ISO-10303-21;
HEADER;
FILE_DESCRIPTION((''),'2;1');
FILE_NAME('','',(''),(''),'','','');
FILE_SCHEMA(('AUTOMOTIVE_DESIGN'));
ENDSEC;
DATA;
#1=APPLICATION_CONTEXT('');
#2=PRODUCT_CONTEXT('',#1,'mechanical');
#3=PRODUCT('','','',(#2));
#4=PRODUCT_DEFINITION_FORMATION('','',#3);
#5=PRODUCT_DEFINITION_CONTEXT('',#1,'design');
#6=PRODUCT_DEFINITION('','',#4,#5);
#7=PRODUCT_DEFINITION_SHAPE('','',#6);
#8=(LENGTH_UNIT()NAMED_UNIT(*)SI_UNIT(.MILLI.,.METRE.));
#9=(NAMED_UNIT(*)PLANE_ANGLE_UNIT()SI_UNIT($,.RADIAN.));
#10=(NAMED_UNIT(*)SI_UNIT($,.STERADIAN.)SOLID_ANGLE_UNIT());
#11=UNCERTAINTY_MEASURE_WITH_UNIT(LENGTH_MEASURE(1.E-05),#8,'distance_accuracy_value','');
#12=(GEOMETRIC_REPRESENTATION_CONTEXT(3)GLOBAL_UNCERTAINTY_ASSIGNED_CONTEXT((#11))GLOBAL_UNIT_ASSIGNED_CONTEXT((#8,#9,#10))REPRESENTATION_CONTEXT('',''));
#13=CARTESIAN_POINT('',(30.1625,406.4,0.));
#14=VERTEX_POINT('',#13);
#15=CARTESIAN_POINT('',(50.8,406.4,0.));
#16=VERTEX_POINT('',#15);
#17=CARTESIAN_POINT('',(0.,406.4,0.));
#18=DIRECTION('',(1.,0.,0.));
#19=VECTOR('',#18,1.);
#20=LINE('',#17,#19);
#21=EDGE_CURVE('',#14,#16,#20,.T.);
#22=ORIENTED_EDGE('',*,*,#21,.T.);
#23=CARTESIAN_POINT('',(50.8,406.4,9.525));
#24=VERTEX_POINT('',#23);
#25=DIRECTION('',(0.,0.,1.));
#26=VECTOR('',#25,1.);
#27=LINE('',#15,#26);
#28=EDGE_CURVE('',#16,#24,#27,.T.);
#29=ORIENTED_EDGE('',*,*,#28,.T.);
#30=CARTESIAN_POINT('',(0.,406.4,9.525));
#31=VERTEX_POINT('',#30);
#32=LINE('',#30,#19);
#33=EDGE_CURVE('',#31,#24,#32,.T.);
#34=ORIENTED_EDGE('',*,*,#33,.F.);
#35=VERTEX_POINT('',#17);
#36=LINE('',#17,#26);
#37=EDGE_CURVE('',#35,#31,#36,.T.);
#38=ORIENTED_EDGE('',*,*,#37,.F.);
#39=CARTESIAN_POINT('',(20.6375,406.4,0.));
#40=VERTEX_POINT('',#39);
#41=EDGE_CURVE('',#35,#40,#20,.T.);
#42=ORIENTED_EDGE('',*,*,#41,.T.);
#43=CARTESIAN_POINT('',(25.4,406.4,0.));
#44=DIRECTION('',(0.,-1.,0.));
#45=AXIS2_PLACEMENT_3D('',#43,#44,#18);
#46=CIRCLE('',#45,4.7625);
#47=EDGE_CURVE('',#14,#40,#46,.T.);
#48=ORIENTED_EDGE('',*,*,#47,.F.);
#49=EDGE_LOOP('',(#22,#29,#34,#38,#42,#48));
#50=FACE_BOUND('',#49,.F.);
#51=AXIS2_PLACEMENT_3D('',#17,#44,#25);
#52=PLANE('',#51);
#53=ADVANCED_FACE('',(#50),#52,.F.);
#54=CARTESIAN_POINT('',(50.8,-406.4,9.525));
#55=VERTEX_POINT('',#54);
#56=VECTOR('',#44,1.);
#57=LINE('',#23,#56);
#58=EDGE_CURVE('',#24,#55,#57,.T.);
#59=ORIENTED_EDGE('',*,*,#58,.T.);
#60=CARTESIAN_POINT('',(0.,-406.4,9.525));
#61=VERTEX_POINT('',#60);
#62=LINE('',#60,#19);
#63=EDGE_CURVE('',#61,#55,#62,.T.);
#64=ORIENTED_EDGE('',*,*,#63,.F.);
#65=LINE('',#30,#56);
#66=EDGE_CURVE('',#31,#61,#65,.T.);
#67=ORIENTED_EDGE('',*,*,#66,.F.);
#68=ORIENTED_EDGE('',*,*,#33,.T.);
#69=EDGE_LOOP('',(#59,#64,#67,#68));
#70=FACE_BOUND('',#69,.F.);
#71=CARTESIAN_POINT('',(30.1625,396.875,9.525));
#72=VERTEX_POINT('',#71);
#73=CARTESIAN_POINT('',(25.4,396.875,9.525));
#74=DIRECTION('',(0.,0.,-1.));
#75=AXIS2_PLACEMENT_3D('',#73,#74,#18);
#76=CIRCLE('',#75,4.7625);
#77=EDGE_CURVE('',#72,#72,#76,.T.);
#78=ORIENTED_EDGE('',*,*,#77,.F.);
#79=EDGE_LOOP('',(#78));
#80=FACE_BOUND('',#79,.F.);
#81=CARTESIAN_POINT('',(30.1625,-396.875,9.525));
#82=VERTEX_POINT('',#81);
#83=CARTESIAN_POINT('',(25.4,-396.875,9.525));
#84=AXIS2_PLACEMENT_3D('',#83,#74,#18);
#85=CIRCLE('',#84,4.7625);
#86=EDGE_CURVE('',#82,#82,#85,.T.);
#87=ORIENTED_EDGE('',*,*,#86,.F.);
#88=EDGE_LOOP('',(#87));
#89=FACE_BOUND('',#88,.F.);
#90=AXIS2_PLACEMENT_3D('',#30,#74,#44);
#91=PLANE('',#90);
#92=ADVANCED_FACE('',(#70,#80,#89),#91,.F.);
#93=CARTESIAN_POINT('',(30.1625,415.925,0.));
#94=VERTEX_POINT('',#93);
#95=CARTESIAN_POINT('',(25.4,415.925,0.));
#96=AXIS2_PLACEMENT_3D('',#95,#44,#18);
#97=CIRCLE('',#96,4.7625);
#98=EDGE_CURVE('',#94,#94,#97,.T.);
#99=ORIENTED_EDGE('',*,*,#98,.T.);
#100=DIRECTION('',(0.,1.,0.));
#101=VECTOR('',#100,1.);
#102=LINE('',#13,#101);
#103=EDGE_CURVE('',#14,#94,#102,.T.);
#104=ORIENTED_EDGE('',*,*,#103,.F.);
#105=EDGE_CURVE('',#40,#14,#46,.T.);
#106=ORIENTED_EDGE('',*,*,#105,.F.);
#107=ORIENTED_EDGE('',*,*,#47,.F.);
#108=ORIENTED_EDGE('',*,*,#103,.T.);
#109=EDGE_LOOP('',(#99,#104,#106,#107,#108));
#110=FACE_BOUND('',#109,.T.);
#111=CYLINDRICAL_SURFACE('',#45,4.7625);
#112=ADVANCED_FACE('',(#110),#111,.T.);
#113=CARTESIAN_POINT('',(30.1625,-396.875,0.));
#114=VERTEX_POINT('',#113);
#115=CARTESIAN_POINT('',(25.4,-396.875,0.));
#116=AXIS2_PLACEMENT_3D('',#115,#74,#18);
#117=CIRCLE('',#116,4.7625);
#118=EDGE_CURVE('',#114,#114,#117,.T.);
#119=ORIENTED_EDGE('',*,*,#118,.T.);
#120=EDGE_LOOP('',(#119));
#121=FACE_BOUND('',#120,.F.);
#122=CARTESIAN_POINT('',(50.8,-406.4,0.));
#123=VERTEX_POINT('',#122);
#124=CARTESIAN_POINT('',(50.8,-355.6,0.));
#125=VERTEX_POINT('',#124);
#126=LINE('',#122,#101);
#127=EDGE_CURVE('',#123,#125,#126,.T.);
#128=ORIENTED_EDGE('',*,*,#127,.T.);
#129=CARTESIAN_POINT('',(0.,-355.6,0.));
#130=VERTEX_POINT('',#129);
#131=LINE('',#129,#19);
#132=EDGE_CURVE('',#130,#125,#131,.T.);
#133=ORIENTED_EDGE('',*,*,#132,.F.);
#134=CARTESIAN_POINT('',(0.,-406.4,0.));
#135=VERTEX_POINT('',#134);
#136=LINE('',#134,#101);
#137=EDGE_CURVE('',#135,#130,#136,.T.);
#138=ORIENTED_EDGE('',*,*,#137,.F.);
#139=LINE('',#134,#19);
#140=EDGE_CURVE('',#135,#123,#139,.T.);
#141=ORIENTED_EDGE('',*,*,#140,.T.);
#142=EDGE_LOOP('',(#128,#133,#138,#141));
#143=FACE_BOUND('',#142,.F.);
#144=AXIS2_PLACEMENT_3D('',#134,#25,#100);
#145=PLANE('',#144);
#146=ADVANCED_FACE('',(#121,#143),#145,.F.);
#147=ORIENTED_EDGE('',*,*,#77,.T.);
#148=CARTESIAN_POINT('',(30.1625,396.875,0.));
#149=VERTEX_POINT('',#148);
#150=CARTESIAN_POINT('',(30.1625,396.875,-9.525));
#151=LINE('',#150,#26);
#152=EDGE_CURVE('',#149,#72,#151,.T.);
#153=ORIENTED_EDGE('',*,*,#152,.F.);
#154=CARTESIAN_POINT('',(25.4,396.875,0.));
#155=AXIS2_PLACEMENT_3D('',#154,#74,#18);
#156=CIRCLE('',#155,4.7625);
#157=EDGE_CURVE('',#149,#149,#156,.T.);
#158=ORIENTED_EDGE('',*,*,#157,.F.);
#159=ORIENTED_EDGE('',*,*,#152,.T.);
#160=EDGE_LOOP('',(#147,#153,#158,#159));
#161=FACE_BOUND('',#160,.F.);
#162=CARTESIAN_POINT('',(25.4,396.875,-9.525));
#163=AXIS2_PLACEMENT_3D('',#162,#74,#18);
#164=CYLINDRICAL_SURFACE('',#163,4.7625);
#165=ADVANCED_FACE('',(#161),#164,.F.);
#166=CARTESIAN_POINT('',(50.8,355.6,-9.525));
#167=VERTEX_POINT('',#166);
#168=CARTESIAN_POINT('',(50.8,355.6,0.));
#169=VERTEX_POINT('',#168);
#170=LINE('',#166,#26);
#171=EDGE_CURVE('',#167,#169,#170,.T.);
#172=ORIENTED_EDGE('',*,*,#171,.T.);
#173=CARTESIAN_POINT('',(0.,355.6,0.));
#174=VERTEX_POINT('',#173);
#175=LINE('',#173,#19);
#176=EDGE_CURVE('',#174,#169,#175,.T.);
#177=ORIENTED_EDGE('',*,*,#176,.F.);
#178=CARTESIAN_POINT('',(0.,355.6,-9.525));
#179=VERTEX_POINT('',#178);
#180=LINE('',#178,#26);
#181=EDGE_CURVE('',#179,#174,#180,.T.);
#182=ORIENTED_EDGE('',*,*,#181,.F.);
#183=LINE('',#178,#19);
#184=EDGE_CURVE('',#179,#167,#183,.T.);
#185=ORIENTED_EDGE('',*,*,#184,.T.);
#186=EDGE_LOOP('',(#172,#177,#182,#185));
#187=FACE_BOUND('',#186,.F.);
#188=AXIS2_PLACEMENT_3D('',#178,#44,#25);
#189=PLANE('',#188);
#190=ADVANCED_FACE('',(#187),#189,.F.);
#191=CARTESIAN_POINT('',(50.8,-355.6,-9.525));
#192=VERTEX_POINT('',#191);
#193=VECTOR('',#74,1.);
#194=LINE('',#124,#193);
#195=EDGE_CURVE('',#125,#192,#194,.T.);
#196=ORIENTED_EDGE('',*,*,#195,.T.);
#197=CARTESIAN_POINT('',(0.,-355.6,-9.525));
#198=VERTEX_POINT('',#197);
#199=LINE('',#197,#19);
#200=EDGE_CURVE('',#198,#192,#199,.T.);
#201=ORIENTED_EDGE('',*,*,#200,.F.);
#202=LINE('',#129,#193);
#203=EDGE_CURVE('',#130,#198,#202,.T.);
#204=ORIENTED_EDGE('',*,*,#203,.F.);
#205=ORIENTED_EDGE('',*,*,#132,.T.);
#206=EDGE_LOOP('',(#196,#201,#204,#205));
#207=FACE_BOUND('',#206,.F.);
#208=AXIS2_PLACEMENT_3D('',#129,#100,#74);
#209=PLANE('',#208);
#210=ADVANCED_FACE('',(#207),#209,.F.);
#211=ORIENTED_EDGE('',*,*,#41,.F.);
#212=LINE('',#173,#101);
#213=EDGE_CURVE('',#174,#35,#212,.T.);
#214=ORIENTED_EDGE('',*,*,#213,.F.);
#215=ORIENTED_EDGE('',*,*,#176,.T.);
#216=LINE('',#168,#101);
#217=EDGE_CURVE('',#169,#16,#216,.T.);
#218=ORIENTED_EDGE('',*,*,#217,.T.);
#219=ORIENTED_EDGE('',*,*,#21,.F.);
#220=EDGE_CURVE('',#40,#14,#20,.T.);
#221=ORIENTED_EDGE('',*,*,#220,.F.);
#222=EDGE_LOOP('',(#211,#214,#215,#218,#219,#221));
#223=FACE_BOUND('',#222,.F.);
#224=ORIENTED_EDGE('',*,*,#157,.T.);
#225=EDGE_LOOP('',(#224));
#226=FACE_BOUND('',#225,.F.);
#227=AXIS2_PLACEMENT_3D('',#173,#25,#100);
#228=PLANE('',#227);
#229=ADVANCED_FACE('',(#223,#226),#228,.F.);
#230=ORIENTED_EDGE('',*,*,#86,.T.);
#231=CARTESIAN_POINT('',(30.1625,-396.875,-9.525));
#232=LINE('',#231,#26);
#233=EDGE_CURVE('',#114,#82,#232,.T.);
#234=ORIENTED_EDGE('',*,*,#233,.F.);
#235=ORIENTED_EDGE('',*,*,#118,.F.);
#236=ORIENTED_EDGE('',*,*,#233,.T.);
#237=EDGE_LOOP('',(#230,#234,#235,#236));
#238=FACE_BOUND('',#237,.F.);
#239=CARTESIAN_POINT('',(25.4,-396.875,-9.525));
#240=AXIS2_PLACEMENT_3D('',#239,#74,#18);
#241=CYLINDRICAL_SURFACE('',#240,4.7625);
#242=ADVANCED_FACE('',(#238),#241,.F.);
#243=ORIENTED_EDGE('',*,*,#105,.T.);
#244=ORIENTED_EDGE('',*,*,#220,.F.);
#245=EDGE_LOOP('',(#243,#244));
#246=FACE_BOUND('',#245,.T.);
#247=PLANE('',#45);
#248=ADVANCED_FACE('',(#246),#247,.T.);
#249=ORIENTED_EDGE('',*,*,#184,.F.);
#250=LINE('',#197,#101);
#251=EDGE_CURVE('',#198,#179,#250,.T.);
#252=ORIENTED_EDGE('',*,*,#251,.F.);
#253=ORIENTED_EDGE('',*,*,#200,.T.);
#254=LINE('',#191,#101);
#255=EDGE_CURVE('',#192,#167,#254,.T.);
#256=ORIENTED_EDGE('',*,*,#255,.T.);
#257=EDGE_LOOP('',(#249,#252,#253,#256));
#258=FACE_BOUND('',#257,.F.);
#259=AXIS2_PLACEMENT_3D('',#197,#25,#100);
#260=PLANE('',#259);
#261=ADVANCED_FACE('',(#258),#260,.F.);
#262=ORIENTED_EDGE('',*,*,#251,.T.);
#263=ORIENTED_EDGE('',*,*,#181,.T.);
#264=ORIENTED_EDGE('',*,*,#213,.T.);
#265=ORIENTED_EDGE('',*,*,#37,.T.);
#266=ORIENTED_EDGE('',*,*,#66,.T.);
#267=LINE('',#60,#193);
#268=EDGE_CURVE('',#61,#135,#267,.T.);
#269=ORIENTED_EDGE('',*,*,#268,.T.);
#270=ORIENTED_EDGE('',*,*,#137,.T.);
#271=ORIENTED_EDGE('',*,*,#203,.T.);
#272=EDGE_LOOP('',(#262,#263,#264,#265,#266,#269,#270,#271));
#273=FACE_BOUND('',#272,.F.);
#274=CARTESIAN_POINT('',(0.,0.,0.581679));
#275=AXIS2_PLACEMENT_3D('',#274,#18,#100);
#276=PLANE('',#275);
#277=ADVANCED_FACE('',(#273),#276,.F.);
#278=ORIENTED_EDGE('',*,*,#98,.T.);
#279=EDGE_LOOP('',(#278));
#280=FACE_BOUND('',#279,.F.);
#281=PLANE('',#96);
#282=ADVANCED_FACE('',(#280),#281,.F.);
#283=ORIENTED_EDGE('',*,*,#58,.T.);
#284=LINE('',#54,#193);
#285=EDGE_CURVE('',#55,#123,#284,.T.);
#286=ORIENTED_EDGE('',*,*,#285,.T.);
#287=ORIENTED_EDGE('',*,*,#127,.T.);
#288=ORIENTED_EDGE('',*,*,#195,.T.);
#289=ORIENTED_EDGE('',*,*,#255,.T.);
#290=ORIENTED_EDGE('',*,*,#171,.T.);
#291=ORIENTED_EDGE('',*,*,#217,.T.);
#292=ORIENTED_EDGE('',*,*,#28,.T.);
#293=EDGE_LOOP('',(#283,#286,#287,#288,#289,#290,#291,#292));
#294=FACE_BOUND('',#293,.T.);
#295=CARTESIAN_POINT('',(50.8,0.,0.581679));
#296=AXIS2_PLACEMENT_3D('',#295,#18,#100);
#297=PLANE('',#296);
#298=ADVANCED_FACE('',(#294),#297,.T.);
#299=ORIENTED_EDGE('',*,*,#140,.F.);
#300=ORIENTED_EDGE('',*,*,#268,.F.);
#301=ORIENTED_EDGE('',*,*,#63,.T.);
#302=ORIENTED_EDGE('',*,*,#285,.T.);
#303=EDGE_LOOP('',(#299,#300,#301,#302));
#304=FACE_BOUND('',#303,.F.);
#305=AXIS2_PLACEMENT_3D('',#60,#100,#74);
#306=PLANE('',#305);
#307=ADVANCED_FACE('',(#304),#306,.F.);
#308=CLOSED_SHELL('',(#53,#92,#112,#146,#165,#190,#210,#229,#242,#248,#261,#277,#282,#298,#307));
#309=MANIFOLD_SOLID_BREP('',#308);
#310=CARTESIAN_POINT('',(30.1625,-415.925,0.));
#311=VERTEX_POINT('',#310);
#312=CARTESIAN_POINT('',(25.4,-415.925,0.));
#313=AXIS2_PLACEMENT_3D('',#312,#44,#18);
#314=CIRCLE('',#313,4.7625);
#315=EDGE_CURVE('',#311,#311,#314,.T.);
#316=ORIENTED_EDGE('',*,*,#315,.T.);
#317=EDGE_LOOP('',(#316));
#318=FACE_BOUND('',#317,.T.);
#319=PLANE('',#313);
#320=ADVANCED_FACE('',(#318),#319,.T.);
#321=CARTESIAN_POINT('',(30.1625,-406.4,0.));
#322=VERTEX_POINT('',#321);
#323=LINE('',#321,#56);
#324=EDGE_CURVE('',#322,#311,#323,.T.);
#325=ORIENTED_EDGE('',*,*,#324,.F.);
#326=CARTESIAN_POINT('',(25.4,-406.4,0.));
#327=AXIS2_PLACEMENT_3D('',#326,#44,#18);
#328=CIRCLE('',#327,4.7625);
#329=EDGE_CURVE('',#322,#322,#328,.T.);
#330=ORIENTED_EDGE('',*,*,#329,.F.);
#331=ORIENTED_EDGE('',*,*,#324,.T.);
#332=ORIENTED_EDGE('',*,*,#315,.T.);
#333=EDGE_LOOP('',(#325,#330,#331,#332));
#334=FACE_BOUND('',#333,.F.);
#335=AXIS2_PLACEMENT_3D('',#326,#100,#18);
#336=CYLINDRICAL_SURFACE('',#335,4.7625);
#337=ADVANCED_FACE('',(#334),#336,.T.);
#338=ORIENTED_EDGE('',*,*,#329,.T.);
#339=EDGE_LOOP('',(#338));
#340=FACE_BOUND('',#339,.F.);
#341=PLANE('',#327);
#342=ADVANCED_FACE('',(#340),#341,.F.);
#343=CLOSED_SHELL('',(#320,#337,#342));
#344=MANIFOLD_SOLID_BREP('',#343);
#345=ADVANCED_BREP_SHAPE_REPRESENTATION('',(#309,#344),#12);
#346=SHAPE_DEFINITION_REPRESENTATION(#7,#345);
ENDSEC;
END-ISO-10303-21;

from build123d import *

# Parameters (mm, degrees)
F1_DEPTH = 50.8
F2_R     = 4.7625
F3_DEPTH = 25.4
F6_R     = 4.7625
F8_DEPTH = 9.525
F7_R     = 4.7625
F9_DEPTH = 9.525


with BuildPart() as f1:
    # F0 (on Right) → F1 (new body)
    with BuildSketch(Plane.YZ):
        Polygon((-355.6, 0), (-355.6, -9.525), (355.6, -9.525), (355.6, 0), (406.4, 0), (406.4, 9.525), (-406.4, 9.525), (-406.4, 0), align=None)
    extrude(amount=F1_DEPTH)

    # F2 (on face) → F3 (cut)
    with BuildSketch(Plane(origin=(0, 0, -9.525), x_dir=(1, 0, 0), z_dir=(0, 0, -1))):
        with Locations((25.4, -396.875)):
            Circle(F2_R)
        with Locations((25.4, 396.875)):
            Circle(F2_R)
    extrude(amount=-F3_DEPTH, mode=Mode.SUBTRACT)

    # F7 (on offset) → F9 (join)
    with BuildSketch(Plane.XZ.offset(-406.4)):
        with Locations((25.4, 0)):
            Circle(F7_R)
    extrude(amount=-F9_DEPTH)


with BuildPart() as f8:
    # F6 (on offset) → F8 (new body)
    with BuildSketch(Plane.XZ.offset(406.4)):
        with Locations((25.4, 0)):
            Circle(F6_R)
    extrude(amount=F8_DEPTH)


solid = Compound([f1.part, f8.part])
